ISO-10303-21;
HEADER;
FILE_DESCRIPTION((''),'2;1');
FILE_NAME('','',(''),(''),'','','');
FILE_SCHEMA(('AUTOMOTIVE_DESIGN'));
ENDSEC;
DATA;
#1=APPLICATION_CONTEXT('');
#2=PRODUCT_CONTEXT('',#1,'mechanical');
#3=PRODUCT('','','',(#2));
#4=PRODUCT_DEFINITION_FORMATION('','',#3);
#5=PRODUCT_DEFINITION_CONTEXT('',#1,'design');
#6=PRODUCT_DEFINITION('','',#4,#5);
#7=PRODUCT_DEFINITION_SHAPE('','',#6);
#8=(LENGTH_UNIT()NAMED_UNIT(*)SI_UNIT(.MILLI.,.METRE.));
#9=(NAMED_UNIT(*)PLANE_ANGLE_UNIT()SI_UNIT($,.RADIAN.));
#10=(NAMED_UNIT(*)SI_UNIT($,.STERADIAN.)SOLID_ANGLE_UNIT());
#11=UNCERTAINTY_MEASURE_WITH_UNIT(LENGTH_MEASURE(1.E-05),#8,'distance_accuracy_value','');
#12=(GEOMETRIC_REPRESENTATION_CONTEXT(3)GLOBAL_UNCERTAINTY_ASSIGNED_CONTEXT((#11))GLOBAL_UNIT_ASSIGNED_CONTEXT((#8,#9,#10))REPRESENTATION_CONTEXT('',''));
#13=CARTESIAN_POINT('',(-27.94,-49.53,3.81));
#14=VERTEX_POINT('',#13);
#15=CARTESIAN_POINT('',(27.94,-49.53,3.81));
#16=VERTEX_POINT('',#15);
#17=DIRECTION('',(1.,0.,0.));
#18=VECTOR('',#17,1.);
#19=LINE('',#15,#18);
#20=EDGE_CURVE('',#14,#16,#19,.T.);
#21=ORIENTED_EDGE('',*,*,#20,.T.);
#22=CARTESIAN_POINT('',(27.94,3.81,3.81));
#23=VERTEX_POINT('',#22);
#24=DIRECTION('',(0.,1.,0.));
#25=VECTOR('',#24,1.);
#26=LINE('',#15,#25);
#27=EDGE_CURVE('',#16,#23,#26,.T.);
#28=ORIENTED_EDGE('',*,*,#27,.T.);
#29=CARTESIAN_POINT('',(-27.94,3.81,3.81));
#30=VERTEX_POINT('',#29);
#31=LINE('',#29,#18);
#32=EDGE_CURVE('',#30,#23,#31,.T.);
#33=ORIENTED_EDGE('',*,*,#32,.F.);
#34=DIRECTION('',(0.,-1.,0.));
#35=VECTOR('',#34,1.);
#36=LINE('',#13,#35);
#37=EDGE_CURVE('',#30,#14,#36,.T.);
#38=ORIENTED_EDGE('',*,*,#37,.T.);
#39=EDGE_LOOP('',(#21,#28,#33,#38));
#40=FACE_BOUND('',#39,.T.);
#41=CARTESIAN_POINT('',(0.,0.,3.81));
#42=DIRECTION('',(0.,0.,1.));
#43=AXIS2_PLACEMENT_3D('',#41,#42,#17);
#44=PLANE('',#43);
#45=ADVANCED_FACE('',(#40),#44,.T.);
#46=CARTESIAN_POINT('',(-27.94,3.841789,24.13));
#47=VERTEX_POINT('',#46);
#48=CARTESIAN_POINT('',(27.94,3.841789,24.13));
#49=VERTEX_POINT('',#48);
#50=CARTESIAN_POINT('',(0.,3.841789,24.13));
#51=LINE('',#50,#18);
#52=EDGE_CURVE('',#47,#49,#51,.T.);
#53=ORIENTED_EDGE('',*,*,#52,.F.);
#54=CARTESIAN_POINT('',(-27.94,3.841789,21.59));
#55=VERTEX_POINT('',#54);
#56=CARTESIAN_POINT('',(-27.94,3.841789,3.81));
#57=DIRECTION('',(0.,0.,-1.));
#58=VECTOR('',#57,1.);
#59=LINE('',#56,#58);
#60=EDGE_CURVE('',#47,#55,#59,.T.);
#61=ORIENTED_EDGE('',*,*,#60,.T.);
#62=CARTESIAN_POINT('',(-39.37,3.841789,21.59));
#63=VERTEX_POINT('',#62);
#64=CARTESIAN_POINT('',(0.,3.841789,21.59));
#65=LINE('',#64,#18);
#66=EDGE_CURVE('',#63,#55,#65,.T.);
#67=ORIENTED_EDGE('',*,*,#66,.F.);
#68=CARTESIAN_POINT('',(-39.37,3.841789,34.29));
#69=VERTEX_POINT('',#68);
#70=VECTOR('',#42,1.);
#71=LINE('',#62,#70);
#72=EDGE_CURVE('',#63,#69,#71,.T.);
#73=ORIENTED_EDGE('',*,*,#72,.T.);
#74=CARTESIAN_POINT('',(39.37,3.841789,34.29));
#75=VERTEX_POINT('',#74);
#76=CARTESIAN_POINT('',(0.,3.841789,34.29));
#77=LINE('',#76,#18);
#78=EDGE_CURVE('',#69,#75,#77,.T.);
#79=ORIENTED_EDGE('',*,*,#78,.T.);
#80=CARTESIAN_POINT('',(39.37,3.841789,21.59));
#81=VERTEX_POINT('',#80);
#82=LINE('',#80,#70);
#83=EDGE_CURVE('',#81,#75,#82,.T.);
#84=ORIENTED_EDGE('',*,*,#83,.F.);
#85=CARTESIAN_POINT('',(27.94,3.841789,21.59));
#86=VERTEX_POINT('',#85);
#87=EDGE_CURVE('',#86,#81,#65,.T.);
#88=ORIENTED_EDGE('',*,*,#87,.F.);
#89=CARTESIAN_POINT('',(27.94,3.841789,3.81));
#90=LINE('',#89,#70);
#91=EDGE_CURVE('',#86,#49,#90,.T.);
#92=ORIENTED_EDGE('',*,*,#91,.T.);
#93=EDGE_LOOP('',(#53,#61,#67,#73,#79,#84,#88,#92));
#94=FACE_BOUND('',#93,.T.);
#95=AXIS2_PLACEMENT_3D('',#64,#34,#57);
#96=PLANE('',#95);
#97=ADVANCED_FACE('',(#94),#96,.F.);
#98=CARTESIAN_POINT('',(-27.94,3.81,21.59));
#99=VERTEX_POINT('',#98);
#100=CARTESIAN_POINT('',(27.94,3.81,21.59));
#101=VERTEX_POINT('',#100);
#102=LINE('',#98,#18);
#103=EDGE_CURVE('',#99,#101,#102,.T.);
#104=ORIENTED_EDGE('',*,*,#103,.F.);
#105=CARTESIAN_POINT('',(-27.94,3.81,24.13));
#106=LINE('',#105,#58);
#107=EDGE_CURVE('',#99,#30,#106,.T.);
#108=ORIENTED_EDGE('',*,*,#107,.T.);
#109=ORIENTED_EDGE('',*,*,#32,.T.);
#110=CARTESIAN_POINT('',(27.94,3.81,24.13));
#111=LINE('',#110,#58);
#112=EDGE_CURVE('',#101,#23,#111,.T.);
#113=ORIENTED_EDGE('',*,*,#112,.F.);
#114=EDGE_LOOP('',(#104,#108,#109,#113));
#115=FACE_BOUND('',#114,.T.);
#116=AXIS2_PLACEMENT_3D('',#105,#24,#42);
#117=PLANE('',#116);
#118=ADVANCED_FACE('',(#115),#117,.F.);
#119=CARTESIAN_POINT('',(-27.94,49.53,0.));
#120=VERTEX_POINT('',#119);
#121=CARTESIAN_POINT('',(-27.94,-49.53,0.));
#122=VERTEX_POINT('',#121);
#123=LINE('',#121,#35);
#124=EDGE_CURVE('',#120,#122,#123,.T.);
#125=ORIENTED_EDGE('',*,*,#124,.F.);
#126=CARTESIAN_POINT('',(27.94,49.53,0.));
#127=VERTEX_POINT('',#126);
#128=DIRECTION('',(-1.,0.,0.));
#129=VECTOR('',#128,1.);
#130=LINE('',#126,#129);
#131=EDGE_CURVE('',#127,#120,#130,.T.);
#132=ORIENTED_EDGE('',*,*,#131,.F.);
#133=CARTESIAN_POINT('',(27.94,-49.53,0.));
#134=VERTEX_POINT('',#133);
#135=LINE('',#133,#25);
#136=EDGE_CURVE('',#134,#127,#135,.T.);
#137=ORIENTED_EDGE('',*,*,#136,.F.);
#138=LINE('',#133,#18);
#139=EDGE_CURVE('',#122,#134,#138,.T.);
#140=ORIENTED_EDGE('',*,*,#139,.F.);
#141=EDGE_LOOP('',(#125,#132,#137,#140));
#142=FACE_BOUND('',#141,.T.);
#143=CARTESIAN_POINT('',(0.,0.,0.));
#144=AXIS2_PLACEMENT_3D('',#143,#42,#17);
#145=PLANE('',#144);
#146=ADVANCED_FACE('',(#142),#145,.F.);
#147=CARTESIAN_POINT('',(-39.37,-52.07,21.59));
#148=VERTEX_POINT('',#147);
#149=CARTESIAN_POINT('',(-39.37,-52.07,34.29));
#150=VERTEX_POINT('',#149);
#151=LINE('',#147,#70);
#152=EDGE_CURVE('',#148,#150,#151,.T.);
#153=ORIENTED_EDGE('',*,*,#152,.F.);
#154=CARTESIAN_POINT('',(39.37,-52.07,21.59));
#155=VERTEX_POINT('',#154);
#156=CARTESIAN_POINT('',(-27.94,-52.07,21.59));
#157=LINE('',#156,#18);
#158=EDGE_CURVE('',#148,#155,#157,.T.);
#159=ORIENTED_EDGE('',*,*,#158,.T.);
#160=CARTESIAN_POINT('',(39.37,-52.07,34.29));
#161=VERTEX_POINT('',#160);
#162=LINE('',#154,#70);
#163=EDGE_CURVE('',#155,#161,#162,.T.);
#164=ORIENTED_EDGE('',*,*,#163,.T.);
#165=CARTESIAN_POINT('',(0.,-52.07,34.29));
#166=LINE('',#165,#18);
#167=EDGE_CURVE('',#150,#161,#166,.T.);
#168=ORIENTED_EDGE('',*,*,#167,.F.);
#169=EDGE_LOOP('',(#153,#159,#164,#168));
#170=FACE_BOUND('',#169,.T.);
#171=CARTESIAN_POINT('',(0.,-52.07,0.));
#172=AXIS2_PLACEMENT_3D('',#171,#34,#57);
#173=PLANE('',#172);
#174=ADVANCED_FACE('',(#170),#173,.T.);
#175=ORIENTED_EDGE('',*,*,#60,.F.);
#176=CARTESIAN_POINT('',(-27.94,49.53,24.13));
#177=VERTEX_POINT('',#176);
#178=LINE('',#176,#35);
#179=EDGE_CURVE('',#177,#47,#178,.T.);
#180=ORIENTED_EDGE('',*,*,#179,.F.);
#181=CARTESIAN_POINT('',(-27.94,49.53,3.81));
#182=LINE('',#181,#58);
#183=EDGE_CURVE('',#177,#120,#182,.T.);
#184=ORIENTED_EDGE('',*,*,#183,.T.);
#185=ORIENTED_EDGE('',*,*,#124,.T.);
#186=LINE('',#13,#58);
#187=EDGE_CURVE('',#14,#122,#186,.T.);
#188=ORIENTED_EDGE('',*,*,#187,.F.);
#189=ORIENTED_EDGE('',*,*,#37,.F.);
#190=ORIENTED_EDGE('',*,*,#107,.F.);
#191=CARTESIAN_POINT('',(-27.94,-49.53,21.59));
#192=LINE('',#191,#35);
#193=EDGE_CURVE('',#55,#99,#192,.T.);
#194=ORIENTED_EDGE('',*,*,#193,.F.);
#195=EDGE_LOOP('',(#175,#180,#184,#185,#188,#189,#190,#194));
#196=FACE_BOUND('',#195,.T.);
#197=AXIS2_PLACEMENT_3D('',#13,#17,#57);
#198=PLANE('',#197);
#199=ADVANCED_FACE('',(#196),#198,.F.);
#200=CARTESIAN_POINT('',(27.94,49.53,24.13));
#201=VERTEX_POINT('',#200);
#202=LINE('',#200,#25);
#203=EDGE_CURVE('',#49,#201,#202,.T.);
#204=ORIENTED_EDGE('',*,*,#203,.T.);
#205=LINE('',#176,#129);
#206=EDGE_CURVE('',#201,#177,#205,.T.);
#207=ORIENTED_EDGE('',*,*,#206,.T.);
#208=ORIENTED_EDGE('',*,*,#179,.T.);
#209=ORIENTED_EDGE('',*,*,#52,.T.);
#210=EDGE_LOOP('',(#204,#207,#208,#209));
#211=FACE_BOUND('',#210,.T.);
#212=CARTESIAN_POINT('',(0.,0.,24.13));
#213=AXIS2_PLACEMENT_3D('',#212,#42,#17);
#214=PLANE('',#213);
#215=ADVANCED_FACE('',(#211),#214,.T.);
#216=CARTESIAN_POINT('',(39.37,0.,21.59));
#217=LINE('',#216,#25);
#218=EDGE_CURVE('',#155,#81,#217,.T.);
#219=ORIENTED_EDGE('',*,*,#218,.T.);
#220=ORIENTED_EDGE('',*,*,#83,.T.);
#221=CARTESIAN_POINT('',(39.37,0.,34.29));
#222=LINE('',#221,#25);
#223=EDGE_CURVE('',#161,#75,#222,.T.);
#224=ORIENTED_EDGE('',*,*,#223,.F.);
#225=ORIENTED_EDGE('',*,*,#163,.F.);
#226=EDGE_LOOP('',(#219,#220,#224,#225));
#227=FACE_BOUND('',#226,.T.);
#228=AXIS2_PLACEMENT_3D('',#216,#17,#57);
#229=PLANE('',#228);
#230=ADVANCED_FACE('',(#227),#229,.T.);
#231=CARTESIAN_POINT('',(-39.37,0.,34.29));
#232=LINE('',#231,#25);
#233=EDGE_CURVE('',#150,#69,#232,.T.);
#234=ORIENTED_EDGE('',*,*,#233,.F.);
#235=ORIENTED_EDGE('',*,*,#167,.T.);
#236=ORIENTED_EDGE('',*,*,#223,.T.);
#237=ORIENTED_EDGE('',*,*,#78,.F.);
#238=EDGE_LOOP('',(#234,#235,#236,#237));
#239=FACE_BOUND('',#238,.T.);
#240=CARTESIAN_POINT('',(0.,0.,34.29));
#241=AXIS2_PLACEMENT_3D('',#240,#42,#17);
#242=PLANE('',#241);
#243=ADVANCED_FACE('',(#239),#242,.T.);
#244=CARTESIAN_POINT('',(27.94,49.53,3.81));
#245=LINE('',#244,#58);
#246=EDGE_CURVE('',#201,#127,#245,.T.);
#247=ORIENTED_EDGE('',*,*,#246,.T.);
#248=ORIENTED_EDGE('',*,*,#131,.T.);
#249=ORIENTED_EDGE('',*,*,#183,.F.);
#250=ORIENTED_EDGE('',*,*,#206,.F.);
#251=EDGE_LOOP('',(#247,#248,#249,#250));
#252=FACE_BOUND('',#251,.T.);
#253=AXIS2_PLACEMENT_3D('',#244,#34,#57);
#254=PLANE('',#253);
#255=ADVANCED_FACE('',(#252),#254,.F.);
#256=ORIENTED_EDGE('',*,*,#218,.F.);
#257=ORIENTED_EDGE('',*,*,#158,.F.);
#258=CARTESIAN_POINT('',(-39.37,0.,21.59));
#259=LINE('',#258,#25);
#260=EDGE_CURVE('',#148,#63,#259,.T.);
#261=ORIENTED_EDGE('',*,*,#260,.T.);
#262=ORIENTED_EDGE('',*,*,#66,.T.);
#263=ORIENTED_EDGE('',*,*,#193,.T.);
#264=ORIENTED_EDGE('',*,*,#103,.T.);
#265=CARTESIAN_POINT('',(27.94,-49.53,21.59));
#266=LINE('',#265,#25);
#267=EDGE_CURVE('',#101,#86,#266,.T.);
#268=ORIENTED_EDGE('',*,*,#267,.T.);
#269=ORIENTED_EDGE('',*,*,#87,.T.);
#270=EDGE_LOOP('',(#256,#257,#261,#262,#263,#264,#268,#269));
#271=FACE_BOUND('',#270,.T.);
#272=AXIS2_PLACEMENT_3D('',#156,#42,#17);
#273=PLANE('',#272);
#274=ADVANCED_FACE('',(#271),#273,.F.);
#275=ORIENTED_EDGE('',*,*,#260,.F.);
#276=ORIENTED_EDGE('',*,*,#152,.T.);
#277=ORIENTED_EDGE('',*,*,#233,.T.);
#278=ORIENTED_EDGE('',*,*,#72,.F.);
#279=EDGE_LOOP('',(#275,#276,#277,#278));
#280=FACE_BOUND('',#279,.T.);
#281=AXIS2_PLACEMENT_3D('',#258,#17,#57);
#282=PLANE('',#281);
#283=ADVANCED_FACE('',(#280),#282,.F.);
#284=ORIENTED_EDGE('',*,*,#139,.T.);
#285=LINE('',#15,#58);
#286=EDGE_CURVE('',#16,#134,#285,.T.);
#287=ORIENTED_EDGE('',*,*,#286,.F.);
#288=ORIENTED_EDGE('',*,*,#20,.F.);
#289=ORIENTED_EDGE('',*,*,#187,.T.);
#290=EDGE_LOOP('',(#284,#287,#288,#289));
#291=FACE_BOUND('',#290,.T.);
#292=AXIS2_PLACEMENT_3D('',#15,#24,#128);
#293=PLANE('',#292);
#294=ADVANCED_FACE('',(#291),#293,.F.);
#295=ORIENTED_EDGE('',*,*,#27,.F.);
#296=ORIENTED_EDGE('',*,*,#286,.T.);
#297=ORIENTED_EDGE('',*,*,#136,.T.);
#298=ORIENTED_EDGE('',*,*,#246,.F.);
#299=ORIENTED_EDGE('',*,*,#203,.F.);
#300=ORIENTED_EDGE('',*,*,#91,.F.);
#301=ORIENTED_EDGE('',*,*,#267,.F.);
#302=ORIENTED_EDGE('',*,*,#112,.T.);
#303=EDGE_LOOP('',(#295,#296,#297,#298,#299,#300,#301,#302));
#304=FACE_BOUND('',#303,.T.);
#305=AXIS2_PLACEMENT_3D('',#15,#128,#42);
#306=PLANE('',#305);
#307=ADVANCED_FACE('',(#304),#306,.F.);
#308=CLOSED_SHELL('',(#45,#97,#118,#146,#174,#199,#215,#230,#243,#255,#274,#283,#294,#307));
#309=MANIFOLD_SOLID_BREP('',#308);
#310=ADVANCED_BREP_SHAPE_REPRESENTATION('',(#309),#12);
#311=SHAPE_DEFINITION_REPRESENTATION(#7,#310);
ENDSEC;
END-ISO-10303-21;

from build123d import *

# Parameters (mm, degrees)
SKETCH1_W                = 55.88
SKETCH1_H                = 99.06
BOSS_EXTRUDE1_DEPTH      = 3.81
SKETCH2_W                = 55.88
SKETCH2_H                = 45.72
BOSS_EXTRUDE2_DEPTH      = 20.32
SKETCH3_W                = 55.88
SKETCH3_H                = 2.54
BOSS_EXTRUDE3_DEPTH      = 55.88
SKETCH4_W                = 11.43
SKETCH4_H                = 55.911789182
SKETCH4_W_2              = 55.88
BOSS_EXTRUDE4_DEPTH      = 10.16
BOSS_EXTRUDE4_DEPTH_BACK = 2.54


with BuildPart() as part:
    # Sketch1 → Boss-Extrude1 (new body)
    with BuildSketch(Plane.XY):
        Rectangle(SKETCH1_W, SKETCH1_H)
    extrude(amount=BOSS_EXTRUDE1_DEPTH)

    # Sketch2 → Boss-Extrude2 (add)
    with BuildSketch(Plane.XY.offset(3.81)):
        with Locations((0, 26.67)):
            Rectangle(SKETCH2_W, SKETCH2_H)
    extrude(amount=BOSS_EXTRUDE2_DEPTH)

    # Sketch3 → Boss-Extrude3 (add)
    with BuildSketch(Plane.XZ.offset(-3.81)):
        with Locations((0, 22.86)):
            Rectangle(SKETCH3_W, SKETCH3_H)
    extrude(amount=BOSS_EXTRUDE3_DEPTH)

    # Sketch4 → Boss-Extrude4 (add, two sides)
    with BuildSketch(Plane.XY.offset(24.13)) as boss_extrude4_sk:
        with Locations((-33.655, -24.114105409)):
            Rectangle(SKETCH4_W, SKETCH4_H)
        with Locations((0, -24.114105409)):
            Rectangle(SKETCH4_W_2, SKETCH4_H)
        with Locations((33.655, -24.114105409)):
            Rectangle(SKETCH4_W, SKETCH4_H)
    extrude(amount=BOSS_EXTRUDE4_DEPTH)
    extrude(boss_extrude4_sk.sketch, amount=-BOSS_EXTRUDE4_DEPTH_BACK)


solid = part.part
